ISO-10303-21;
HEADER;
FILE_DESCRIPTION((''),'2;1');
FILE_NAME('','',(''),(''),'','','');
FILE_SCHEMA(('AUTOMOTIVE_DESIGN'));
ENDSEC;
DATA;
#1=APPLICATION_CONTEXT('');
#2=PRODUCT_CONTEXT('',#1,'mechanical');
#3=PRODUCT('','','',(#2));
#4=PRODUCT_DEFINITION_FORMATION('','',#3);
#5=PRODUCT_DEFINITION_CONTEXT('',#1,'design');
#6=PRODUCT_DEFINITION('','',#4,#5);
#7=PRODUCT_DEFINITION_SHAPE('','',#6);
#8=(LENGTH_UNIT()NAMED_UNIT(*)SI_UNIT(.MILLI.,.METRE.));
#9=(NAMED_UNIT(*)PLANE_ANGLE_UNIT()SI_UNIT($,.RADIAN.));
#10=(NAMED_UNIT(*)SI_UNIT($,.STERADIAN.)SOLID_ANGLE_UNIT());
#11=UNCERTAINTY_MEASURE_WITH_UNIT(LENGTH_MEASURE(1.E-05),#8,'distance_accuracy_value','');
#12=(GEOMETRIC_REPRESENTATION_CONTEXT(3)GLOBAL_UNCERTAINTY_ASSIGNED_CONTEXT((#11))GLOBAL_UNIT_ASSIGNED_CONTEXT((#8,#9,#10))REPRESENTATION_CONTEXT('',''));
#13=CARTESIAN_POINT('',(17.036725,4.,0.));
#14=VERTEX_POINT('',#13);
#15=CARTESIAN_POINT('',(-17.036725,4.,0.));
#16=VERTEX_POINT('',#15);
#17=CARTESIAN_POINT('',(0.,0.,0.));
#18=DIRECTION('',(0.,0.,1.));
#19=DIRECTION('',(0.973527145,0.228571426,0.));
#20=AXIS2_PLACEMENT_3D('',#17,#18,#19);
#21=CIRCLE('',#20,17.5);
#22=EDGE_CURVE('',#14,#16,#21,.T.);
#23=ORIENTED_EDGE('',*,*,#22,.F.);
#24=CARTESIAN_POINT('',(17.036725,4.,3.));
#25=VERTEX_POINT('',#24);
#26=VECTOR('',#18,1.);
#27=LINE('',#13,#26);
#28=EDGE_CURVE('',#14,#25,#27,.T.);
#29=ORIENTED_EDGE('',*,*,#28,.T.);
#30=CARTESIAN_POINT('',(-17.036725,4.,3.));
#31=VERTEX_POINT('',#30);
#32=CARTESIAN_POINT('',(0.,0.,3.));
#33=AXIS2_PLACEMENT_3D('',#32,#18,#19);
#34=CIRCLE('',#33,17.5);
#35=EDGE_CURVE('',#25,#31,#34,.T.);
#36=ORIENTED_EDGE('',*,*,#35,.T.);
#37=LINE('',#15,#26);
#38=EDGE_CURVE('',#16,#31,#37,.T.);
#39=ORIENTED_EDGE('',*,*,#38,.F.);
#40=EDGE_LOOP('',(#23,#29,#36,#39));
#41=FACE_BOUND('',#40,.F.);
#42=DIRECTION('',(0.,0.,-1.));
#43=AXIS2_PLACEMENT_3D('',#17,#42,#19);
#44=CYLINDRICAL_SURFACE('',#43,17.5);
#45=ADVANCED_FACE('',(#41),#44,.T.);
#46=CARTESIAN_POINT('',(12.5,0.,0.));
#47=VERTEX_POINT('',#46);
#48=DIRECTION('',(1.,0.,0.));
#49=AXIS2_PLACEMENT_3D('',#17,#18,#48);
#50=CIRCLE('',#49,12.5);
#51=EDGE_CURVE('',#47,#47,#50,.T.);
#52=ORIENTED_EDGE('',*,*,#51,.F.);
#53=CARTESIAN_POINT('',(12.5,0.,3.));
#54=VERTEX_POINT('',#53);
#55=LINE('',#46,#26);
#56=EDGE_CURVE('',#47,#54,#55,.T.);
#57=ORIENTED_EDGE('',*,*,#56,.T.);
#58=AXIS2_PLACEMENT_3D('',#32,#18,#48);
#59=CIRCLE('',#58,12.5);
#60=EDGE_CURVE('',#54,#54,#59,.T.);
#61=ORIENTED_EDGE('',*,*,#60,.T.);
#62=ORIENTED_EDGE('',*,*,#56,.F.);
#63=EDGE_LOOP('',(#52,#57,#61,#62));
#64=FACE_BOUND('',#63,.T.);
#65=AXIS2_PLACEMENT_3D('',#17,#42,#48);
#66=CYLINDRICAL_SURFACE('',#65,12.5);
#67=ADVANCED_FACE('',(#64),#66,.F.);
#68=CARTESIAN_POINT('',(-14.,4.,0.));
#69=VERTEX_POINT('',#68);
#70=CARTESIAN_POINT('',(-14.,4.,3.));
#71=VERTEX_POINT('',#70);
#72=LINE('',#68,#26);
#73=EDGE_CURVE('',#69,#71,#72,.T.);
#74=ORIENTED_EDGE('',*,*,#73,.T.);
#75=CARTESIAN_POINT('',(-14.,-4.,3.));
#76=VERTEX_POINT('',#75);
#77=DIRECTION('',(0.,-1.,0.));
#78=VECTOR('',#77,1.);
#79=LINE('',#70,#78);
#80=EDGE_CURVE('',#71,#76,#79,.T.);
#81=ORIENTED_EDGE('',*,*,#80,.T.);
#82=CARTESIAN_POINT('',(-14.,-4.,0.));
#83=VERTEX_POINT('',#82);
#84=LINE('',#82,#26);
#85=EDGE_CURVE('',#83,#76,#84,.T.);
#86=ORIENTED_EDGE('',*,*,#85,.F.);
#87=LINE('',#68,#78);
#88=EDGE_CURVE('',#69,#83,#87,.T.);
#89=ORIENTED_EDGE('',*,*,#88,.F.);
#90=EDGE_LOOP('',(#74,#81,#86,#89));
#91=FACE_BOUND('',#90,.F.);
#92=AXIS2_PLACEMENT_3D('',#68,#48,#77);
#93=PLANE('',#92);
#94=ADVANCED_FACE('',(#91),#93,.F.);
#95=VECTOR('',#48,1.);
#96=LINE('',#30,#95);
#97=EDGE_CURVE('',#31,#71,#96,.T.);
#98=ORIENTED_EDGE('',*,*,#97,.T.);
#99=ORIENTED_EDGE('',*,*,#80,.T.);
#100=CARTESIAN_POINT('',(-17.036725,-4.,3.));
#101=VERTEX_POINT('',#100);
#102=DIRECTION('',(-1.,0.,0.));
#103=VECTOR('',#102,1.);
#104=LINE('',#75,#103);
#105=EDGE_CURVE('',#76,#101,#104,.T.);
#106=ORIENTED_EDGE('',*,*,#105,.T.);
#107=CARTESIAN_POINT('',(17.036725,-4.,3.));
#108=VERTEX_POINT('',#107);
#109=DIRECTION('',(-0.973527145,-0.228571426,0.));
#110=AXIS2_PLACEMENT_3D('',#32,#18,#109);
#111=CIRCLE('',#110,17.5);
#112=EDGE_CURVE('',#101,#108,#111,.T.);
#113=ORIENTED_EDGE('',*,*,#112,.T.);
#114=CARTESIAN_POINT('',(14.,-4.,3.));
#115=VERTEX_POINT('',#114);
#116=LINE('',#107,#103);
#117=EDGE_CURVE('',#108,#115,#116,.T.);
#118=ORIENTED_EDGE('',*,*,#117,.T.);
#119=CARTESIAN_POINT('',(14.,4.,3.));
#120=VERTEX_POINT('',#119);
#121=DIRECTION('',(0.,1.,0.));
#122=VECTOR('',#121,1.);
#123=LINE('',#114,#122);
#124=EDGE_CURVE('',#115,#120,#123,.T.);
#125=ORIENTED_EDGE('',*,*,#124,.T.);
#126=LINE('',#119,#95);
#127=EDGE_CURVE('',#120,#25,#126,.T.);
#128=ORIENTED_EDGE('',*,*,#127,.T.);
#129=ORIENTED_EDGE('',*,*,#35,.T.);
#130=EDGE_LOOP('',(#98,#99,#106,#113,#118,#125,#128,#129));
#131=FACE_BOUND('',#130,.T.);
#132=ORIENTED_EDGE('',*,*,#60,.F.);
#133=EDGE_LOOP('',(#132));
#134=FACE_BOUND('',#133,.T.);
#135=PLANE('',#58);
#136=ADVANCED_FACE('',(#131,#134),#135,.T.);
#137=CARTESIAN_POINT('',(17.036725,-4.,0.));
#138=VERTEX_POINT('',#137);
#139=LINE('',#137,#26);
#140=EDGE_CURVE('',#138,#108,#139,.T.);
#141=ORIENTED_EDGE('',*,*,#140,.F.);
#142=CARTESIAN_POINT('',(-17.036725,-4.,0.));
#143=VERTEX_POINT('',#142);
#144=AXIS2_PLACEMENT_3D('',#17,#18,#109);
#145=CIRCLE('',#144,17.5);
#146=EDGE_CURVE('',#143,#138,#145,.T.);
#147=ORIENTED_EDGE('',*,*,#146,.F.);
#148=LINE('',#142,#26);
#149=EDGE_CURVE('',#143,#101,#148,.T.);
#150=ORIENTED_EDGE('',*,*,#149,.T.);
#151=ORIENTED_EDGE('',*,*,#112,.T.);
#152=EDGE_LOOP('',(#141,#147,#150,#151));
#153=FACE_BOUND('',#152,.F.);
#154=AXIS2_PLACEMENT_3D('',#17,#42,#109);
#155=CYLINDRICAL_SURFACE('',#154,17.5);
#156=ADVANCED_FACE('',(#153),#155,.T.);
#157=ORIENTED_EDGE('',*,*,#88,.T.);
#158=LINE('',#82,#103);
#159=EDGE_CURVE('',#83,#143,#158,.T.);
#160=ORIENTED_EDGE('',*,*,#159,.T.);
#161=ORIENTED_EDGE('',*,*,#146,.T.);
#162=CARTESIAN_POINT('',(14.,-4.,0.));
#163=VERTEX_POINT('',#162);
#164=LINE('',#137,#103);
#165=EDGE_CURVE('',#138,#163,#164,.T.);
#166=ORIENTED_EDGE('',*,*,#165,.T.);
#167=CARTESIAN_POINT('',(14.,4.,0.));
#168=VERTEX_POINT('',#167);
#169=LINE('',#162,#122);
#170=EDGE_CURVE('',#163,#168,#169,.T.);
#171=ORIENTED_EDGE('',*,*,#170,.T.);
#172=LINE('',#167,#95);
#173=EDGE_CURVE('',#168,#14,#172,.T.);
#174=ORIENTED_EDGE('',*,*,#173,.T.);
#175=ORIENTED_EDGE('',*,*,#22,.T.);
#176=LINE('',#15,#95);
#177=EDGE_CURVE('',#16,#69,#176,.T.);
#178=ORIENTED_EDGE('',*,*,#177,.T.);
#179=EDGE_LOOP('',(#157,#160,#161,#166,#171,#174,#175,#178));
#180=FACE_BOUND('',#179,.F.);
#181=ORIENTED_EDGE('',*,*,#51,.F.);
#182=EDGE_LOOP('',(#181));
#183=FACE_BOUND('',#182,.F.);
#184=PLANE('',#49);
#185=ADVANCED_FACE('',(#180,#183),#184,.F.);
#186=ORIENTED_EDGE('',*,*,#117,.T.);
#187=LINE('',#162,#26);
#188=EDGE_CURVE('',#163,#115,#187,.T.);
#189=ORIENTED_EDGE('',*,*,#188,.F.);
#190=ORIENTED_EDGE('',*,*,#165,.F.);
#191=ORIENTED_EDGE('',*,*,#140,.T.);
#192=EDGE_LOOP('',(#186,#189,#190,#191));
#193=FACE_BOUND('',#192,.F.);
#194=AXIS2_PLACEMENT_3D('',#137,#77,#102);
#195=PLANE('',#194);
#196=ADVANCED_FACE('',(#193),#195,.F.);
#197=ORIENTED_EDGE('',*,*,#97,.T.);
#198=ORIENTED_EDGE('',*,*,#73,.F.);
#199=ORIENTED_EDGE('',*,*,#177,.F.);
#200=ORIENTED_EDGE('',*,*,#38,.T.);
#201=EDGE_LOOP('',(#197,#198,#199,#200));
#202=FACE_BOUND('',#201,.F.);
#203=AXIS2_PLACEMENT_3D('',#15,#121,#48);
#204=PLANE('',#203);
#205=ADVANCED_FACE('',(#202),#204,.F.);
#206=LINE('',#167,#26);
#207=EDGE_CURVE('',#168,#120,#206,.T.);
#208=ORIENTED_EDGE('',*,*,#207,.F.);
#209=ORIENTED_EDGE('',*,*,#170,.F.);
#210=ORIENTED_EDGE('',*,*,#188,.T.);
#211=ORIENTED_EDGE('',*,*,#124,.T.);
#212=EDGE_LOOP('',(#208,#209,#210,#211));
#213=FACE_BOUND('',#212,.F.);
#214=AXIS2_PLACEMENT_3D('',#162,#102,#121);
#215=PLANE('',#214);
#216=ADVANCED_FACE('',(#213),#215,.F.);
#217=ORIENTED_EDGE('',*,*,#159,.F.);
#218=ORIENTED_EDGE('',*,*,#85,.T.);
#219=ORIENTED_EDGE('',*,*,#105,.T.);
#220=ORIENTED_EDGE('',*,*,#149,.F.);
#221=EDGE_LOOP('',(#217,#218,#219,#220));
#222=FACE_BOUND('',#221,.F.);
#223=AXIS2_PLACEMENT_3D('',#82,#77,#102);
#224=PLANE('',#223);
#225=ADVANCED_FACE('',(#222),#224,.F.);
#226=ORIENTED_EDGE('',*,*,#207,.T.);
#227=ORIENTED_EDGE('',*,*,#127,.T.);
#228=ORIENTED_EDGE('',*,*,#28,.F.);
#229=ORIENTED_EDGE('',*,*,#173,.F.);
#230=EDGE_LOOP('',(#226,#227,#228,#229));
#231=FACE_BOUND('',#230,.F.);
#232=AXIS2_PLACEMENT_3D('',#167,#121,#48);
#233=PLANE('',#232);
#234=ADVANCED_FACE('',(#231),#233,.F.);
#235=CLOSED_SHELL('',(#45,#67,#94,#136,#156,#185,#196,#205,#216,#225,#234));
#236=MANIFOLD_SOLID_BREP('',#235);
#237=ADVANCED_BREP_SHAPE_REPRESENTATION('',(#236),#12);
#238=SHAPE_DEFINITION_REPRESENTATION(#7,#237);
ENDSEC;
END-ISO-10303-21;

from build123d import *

# Parameters (mm, degrees)
F0_R     = 12.5
F1_DEPTH = 3


with BuildPart() as f1:
    # F0 (on Top) → F1 (new body)
    with BuildSketch(Plane.XY):
        with BuildLine():
            Line((-14, -4), (-17.036725, -4))
            ThreePointArc((-17.036725, -4), (0, -17.5), (17.036725, -4))
            Line((17.036725, -4), (14, -4))
            Line((14, -4), (14, 4))
            Line((14, 4), (17.036725, 4))
            ThreePointArc((17.036725, 4), (0, 17.5), (-17.036725, 4))
            Line((-17.036725, 4), (-14, 4))
            Line((-14, 4), (-14, -4))
        make_face()
        Circle(F0_R, mode=Mode.SUBTRACT)
    extrude(amount=F1_DEPTH)


solid = f1.part
